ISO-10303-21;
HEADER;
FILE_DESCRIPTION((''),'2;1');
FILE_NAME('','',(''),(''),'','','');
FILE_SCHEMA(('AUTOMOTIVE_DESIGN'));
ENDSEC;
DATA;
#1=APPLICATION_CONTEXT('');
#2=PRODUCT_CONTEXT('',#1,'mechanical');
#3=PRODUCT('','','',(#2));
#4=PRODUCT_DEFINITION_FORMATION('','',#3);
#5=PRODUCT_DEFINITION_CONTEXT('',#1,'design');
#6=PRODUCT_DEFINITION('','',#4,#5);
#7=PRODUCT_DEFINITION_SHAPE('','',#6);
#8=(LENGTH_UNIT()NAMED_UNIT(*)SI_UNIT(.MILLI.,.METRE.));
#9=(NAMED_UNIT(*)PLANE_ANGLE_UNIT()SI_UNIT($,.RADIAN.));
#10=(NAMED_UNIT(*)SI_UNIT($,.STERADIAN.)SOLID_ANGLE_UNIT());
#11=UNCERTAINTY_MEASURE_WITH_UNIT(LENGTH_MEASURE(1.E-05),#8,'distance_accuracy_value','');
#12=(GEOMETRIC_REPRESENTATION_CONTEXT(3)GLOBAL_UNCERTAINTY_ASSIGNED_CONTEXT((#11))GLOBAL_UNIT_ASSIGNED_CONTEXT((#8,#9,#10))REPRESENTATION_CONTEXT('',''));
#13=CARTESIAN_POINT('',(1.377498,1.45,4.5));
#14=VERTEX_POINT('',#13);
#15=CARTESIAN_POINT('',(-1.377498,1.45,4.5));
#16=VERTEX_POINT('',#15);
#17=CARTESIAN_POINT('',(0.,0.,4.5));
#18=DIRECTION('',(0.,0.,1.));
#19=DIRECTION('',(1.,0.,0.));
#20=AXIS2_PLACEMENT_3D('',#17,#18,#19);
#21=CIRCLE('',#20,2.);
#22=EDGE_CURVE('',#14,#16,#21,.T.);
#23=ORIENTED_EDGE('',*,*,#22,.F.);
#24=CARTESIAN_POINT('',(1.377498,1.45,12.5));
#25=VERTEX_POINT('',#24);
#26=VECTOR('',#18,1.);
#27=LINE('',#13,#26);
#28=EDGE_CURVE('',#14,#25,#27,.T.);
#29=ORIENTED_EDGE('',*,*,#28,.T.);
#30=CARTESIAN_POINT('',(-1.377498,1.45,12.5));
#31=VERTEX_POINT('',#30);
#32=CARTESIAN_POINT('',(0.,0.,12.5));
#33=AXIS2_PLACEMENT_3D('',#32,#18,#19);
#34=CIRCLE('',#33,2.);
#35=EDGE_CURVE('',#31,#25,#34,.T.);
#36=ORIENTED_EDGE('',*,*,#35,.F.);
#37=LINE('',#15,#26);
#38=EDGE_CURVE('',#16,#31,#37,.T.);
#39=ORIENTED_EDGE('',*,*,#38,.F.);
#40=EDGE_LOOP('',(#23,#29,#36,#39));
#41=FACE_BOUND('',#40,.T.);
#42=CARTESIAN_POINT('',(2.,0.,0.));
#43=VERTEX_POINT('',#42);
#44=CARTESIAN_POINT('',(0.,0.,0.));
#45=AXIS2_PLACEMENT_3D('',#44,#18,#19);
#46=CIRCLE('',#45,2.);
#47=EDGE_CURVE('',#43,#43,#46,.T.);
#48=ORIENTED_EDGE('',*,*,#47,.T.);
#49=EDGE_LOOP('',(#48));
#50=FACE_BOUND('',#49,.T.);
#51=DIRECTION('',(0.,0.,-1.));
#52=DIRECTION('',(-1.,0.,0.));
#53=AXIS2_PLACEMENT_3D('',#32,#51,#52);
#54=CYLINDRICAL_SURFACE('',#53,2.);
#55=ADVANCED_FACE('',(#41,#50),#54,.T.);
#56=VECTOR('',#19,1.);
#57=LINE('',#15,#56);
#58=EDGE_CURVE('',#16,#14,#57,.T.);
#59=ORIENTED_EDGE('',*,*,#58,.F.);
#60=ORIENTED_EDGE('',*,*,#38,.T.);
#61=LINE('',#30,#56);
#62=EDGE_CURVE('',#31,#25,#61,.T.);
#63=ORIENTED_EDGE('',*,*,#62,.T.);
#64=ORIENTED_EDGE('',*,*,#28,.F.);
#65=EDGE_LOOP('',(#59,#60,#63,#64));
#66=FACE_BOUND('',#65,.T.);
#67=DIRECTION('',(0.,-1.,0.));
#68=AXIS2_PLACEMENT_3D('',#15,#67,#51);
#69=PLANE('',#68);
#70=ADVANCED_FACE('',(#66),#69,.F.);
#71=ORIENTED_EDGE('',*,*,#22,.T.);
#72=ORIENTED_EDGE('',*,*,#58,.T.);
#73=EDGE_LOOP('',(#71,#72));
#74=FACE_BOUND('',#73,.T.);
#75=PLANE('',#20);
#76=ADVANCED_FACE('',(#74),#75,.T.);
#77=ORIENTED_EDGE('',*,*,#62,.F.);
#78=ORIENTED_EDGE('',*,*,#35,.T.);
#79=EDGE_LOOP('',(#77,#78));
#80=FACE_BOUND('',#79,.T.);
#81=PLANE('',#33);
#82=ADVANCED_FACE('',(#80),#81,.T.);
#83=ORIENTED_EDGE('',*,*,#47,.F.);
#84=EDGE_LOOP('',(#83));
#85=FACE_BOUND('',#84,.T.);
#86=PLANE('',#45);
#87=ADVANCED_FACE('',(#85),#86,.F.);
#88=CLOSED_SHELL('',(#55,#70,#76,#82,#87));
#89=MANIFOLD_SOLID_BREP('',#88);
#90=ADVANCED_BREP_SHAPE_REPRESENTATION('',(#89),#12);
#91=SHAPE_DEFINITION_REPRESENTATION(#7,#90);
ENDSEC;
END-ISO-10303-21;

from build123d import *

# Parameters (mm, degrees)
SKETCH1_R           = 2
BOSS_EXTRUDE1_DEPTH = 12.5
CUT_EXTRUDE1_DEPTH  = 8


with BuildPart() as part:
    # Sketch1 → Boss-Extrude1 (new body)
    with BuildSketch(Plane.XY):
        Circle(SKETCH1_R)
    extrude(amount=BOSS_EXTRUDE1_DEPTH)

    # Sketch2 → Cut-Extrude1 (cut)
    with BuildSketch(Plane.XY.offset(12.5)):
        with BuildLine():
            Line((-1.377497731, 1.45), (1.377497731, 1.45))
            ThreePointArc((1.377497731, 1.45), (0, 2), (-1.377497731, 1.45))
        make_face()
    extrude(amount=-CUT_EXTRUDE1_DEPTH, mode=Mode.SUBTRACT)


solid = part.part
